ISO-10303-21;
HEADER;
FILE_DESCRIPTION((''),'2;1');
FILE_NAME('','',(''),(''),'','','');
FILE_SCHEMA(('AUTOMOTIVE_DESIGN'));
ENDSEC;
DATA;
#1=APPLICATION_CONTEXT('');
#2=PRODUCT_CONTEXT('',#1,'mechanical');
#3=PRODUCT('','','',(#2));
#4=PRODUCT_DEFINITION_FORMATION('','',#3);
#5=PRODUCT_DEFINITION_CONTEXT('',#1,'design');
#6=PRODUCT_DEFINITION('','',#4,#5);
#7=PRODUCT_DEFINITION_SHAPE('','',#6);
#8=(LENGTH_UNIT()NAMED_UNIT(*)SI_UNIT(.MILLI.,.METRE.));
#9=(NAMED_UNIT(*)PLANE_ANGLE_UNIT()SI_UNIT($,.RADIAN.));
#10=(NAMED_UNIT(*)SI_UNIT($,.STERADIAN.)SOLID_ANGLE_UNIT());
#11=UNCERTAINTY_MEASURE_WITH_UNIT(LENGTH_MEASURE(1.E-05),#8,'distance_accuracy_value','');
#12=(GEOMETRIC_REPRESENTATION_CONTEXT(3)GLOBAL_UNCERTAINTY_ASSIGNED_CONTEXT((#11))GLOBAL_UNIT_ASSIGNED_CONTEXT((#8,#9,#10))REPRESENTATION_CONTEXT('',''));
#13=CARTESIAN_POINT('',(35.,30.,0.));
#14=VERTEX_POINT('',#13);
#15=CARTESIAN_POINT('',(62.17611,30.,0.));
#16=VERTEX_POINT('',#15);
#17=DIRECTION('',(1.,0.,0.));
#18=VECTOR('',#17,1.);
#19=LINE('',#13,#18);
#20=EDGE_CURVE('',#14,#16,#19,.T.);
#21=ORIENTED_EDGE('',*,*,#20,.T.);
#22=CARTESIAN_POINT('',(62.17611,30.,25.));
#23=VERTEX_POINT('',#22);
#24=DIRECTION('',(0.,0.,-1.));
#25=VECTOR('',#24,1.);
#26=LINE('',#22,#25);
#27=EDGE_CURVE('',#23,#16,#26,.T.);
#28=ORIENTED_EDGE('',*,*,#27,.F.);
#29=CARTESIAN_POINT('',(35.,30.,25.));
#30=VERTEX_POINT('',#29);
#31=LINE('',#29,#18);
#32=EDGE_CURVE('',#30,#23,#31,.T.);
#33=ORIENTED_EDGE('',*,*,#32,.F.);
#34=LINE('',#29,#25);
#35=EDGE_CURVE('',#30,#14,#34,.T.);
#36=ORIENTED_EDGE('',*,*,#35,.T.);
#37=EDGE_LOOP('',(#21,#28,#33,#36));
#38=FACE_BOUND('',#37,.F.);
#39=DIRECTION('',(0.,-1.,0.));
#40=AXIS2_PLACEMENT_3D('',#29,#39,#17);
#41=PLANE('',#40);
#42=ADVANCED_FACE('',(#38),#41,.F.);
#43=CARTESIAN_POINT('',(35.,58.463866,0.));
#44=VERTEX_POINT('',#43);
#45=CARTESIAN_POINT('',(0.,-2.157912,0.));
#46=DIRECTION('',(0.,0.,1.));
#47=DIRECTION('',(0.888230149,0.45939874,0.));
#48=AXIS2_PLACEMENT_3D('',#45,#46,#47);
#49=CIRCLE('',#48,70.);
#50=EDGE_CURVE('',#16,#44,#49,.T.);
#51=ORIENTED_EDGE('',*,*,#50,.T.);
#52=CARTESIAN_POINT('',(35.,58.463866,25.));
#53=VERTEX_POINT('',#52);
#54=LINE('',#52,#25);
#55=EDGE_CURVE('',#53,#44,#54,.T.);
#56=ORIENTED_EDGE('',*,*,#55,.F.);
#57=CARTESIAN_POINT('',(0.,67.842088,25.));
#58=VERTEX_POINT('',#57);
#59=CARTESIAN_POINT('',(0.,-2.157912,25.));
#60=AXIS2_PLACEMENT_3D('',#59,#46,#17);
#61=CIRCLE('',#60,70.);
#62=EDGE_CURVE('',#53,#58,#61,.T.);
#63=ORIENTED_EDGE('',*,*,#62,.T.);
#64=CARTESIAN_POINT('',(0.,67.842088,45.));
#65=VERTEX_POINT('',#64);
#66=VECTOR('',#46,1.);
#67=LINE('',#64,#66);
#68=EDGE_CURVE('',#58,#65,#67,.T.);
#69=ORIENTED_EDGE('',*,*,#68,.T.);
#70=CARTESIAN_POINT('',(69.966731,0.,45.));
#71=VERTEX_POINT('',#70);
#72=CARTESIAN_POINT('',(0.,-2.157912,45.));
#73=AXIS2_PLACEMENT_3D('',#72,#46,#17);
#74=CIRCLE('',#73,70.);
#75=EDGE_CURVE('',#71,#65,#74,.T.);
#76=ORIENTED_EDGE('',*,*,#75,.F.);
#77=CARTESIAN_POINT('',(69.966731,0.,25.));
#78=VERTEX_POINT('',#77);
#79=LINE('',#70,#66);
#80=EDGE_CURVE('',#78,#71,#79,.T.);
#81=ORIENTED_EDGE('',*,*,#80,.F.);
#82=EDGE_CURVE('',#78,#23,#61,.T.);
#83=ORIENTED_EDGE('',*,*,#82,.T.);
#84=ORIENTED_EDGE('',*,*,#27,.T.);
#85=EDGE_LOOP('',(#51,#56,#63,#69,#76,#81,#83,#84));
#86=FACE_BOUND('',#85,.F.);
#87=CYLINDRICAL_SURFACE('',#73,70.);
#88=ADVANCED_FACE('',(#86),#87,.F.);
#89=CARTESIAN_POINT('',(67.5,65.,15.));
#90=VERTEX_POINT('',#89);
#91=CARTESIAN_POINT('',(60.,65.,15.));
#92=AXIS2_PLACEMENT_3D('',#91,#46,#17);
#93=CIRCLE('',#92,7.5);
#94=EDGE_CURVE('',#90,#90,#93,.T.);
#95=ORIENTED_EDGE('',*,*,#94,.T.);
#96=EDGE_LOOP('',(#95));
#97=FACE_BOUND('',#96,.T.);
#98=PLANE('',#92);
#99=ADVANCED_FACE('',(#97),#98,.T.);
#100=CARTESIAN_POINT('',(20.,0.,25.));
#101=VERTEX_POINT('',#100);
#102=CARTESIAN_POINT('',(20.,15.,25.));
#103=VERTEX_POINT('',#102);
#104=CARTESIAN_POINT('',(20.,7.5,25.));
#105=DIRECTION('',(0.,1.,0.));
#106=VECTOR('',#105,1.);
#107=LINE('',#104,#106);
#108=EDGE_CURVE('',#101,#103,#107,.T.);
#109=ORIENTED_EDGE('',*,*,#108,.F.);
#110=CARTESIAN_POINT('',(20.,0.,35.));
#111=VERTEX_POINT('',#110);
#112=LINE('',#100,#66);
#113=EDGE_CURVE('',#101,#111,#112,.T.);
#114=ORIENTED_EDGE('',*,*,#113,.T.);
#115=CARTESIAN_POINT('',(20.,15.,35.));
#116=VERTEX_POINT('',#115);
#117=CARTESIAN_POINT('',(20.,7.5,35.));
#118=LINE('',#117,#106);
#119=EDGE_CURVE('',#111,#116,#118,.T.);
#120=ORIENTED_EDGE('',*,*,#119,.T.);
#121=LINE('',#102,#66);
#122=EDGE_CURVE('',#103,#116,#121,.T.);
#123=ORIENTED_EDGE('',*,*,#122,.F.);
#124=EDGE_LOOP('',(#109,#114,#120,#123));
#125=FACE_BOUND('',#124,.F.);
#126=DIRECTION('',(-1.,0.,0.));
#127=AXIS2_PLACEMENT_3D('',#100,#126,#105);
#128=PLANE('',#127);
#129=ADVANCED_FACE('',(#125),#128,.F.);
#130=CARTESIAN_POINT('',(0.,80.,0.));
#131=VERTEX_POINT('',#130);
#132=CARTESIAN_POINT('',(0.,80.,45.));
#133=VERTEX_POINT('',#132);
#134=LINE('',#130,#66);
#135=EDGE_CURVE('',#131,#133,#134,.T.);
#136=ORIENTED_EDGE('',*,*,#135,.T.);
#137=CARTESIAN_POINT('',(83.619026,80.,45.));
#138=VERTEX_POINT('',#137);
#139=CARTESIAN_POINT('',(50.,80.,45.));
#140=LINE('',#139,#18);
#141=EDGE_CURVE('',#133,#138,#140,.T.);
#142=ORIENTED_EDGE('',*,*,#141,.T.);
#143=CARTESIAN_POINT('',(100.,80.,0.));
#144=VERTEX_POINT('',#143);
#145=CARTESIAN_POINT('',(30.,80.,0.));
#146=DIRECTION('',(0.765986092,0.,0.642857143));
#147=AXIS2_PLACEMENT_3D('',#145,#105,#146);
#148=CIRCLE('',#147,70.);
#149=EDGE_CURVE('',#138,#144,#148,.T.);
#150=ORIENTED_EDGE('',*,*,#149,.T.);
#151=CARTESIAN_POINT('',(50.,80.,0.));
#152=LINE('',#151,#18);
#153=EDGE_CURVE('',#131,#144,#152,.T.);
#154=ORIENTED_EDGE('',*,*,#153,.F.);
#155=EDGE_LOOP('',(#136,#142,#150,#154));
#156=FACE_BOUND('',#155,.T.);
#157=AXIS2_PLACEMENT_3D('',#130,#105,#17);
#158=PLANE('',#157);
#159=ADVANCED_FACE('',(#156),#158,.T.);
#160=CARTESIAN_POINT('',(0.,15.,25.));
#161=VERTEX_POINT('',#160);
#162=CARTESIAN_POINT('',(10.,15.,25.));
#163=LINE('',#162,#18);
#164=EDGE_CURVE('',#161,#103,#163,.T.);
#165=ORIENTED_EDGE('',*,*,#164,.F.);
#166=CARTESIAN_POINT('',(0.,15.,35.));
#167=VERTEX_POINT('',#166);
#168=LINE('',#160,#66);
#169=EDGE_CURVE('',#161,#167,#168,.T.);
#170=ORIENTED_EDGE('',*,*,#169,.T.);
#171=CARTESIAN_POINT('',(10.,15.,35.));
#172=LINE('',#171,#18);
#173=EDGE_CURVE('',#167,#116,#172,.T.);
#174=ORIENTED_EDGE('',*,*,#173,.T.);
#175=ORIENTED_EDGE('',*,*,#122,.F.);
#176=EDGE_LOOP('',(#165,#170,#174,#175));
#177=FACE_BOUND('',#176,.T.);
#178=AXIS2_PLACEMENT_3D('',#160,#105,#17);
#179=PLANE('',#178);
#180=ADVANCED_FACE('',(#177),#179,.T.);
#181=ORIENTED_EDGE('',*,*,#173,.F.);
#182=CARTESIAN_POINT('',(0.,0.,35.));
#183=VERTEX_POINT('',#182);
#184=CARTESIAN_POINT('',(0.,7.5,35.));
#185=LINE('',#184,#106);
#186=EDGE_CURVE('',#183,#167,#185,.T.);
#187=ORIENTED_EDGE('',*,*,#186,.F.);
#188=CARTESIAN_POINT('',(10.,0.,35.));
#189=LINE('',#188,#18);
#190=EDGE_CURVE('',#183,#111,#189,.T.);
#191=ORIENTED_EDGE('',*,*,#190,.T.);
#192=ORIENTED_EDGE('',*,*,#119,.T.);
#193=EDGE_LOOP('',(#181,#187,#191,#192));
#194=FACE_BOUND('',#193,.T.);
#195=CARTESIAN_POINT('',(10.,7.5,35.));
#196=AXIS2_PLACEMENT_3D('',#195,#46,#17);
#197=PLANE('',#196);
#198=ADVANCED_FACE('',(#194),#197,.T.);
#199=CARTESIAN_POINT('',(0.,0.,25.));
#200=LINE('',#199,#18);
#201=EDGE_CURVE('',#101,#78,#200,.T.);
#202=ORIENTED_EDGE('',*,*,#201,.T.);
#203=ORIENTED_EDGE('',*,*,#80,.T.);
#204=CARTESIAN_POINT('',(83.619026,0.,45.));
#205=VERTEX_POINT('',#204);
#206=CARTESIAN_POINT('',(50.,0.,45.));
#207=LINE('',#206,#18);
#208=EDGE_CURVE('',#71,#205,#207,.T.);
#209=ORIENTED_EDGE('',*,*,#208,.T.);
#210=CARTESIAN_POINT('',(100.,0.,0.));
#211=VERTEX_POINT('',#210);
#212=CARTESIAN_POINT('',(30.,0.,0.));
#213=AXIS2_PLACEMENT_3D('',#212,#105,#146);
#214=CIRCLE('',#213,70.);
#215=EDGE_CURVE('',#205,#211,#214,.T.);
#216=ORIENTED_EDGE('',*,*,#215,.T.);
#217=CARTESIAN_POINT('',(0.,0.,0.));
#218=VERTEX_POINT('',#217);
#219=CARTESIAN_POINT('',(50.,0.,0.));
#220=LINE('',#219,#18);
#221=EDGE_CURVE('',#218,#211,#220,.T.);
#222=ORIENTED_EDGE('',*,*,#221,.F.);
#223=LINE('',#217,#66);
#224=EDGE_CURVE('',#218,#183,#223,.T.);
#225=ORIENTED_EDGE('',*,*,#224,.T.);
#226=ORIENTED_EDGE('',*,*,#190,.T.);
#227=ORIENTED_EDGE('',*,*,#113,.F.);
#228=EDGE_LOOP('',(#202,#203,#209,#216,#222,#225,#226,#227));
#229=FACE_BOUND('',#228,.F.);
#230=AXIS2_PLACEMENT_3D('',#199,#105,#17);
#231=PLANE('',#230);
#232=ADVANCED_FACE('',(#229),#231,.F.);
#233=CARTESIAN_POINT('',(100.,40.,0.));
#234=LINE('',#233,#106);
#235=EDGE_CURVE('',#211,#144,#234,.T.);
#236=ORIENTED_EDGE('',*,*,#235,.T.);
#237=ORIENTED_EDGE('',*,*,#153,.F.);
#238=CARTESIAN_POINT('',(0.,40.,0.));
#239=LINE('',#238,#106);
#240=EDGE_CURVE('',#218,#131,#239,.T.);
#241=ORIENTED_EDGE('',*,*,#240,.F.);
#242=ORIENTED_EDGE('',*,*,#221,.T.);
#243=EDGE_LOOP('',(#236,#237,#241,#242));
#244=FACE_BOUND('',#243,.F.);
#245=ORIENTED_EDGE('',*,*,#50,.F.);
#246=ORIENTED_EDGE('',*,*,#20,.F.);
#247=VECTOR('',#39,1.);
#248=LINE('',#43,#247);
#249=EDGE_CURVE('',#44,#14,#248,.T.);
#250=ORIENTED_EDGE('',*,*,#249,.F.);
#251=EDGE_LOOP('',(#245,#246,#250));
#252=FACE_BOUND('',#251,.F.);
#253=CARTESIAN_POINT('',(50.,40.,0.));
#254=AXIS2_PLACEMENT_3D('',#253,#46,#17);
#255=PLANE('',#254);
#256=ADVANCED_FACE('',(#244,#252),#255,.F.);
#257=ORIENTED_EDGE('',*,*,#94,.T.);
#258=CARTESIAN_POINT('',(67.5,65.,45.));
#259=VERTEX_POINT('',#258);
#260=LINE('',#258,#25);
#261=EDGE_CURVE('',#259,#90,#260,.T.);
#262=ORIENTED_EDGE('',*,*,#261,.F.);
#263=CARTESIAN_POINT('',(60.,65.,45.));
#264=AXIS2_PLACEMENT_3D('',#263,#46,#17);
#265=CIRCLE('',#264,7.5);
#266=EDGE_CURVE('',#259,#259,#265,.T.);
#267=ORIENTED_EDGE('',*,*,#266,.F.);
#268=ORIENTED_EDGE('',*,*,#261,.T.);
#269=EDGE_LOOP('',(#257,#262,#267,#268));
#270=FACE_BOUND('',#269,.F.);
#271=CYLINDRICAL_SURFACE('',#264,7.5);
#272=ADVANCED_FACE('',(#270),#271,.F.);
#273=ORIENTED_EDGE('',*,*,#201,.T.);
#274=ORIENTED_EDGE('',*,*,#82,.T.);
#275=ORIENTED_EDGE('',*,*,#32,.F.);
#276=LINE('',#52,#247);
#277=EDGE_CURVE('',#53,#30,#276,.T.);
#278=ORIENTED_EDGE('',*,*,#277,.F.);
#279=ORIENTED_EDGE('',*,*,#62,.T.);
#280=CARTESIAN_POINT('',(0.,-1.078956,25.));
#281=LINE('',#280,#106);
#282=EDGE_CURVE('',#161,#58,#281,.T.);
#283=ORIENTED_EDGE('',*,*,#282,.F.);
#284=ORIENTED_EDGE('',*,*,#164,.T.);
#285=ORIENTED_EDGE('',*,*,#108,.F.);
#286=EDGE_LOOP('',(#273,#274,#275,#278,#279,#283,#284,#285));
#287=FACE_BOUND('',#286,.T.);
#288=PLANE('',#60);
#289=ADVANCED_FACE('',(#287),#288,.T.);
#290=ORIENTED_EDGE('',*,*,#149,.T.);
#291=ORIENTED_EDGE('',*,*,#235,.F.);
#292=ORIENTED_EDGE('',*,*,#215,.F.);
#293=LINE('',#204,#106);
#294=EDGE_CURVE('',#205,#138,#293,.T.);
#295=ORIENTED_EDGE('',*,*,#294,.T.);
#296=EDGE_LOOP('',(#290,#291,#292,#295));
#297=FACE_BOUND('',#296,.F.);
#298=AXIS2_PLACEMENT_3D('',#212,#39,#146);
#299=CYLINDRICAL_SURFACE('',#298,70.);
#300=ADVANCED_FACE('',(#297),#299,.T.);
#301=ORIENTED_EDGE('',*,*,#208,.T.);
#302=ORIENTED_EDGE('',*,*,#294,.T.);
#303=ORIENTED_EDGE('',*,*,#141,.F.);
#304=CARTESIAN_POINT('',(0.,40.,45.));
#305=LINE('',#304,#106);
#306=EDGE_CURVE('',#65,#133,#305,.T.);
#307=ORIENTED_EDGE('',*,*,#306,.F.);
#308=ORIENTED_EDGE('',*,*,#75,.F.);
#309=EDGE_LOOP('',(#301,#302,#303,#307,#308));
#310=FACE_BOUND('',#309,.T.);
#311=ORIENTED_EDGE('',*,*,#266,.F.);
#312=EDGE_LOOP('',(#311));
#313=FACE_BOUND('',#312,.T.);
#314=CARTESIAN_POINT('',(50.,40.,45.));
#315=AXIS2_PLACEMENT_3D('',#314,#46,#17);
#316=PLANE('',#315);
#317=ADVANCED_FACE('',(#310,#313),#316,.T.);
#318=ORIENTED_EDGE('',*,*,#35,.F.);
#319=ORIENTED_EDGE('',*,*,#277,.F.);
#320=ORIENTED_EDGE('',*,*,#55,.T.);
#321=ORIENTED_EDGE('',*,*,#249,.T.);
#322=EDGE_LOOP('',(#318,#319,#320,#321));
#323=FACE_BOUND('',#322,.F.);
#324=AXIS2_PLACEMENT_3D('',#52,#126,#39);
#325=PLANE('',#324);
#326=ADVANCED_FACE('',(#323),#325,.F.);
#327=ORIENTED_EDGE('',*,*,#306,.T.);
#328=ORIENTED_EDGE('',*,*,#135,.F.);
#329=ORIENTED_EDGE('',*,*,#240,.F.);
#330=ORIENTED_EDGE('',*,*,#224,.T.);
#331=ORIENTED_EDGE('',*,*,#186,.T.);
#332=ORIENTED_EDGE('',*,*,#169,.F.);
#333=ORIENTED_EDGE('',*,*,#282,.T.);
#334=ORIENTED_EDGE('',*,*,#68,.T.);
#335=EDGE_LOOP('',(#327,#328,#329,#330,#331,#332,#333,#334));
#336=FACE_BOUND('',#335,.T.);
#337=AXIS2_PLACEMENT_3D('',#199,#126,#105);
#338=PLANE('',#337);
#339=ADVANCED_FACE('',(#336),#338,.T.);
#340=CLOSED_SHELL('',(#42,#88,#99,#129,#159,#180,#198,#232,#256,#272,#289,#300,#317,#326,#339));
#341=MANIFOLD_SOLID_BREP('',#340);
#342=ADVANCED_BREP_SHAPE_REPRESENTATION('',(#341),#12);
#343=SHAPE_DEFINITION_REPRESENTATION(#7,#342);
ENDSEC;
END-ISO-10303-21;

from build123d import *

# Parameters (mm, degrees)
F0_W      = 100
F0_H      = 80
F1_DEPTH  = 45
F2_R      = 70
F3_DEPTH  = 20
F4_W      = 20
F4_H      = 15
F5_DEPTH  = 10
F7_DEPTH  = 25
F8_R      = 7.5
F9_DEPTH  = 30
F11_DEPTH = 80


with BuildPart() as f1:
    # F0 (on Top) → F1 (new body)
    with BuildSketch(Plane.XY):
        with Locations((50, 40)):
            Rectangle(F0_W, F0_H)
    extrude(amount=F1_DEPTH)

    # F2 (on face) → F3 (cut)
    with BuildSketch(Plane.XY.offset(45)):
        with Locations((0, -2.1579118226)):
            Circle(F2_R)
    extrude(amount=-F3_DEPTH, mode=Mode.SUBTRACT)

    # F4 (on face) → F5 (join)
    with BuildSketch(Plane.XY.offset(25)):
        with Locations((10, 7.5)):
            Rectangle(F4_W, F4_H)
    extrude(amount=F5_DEPTH)

    # F6 (on face) → F7 (cut, through all)
    with BuildSketch(Plane.XY.offset(25)):
        with BuildLine():
            ThreePointArc((62.176110422, 30), (50.6295075267, 46.1810265977), (35, 58.4638664423))
            Line((35, 58.4638664423), (35, 30))
            Line((35, 30), (62.176110422, 30))
        make_face()
    extrude(amount=-F7_DEPTH, mode=Mode.SUBTRACT)

    # F8 (on face) → F9 (cut)
    with BuildSketch(Plane.XY.offset(45)):
        with Locations((60, 65)):
            Circle(F8_R)
    extrude(amount=-F9_DEPTH, mode=Mode.SUBTRACT)

    # F10 (on face) → F11 (cut, through all)
    with BuildSketch(Plane.XZ):
        with BuildLine():
            ThreePointArc((83.6190264738, 45), (95.7773967757, 23.944395449), (100, 0))
            Line((100, 0), (100, 45))
            Line((100, 45), (83.6190264738, 45))
        make_face()
    extrude(amount=-F11_DEPTH, mode=Mode.SUBTRACT)


solid = f1.part
